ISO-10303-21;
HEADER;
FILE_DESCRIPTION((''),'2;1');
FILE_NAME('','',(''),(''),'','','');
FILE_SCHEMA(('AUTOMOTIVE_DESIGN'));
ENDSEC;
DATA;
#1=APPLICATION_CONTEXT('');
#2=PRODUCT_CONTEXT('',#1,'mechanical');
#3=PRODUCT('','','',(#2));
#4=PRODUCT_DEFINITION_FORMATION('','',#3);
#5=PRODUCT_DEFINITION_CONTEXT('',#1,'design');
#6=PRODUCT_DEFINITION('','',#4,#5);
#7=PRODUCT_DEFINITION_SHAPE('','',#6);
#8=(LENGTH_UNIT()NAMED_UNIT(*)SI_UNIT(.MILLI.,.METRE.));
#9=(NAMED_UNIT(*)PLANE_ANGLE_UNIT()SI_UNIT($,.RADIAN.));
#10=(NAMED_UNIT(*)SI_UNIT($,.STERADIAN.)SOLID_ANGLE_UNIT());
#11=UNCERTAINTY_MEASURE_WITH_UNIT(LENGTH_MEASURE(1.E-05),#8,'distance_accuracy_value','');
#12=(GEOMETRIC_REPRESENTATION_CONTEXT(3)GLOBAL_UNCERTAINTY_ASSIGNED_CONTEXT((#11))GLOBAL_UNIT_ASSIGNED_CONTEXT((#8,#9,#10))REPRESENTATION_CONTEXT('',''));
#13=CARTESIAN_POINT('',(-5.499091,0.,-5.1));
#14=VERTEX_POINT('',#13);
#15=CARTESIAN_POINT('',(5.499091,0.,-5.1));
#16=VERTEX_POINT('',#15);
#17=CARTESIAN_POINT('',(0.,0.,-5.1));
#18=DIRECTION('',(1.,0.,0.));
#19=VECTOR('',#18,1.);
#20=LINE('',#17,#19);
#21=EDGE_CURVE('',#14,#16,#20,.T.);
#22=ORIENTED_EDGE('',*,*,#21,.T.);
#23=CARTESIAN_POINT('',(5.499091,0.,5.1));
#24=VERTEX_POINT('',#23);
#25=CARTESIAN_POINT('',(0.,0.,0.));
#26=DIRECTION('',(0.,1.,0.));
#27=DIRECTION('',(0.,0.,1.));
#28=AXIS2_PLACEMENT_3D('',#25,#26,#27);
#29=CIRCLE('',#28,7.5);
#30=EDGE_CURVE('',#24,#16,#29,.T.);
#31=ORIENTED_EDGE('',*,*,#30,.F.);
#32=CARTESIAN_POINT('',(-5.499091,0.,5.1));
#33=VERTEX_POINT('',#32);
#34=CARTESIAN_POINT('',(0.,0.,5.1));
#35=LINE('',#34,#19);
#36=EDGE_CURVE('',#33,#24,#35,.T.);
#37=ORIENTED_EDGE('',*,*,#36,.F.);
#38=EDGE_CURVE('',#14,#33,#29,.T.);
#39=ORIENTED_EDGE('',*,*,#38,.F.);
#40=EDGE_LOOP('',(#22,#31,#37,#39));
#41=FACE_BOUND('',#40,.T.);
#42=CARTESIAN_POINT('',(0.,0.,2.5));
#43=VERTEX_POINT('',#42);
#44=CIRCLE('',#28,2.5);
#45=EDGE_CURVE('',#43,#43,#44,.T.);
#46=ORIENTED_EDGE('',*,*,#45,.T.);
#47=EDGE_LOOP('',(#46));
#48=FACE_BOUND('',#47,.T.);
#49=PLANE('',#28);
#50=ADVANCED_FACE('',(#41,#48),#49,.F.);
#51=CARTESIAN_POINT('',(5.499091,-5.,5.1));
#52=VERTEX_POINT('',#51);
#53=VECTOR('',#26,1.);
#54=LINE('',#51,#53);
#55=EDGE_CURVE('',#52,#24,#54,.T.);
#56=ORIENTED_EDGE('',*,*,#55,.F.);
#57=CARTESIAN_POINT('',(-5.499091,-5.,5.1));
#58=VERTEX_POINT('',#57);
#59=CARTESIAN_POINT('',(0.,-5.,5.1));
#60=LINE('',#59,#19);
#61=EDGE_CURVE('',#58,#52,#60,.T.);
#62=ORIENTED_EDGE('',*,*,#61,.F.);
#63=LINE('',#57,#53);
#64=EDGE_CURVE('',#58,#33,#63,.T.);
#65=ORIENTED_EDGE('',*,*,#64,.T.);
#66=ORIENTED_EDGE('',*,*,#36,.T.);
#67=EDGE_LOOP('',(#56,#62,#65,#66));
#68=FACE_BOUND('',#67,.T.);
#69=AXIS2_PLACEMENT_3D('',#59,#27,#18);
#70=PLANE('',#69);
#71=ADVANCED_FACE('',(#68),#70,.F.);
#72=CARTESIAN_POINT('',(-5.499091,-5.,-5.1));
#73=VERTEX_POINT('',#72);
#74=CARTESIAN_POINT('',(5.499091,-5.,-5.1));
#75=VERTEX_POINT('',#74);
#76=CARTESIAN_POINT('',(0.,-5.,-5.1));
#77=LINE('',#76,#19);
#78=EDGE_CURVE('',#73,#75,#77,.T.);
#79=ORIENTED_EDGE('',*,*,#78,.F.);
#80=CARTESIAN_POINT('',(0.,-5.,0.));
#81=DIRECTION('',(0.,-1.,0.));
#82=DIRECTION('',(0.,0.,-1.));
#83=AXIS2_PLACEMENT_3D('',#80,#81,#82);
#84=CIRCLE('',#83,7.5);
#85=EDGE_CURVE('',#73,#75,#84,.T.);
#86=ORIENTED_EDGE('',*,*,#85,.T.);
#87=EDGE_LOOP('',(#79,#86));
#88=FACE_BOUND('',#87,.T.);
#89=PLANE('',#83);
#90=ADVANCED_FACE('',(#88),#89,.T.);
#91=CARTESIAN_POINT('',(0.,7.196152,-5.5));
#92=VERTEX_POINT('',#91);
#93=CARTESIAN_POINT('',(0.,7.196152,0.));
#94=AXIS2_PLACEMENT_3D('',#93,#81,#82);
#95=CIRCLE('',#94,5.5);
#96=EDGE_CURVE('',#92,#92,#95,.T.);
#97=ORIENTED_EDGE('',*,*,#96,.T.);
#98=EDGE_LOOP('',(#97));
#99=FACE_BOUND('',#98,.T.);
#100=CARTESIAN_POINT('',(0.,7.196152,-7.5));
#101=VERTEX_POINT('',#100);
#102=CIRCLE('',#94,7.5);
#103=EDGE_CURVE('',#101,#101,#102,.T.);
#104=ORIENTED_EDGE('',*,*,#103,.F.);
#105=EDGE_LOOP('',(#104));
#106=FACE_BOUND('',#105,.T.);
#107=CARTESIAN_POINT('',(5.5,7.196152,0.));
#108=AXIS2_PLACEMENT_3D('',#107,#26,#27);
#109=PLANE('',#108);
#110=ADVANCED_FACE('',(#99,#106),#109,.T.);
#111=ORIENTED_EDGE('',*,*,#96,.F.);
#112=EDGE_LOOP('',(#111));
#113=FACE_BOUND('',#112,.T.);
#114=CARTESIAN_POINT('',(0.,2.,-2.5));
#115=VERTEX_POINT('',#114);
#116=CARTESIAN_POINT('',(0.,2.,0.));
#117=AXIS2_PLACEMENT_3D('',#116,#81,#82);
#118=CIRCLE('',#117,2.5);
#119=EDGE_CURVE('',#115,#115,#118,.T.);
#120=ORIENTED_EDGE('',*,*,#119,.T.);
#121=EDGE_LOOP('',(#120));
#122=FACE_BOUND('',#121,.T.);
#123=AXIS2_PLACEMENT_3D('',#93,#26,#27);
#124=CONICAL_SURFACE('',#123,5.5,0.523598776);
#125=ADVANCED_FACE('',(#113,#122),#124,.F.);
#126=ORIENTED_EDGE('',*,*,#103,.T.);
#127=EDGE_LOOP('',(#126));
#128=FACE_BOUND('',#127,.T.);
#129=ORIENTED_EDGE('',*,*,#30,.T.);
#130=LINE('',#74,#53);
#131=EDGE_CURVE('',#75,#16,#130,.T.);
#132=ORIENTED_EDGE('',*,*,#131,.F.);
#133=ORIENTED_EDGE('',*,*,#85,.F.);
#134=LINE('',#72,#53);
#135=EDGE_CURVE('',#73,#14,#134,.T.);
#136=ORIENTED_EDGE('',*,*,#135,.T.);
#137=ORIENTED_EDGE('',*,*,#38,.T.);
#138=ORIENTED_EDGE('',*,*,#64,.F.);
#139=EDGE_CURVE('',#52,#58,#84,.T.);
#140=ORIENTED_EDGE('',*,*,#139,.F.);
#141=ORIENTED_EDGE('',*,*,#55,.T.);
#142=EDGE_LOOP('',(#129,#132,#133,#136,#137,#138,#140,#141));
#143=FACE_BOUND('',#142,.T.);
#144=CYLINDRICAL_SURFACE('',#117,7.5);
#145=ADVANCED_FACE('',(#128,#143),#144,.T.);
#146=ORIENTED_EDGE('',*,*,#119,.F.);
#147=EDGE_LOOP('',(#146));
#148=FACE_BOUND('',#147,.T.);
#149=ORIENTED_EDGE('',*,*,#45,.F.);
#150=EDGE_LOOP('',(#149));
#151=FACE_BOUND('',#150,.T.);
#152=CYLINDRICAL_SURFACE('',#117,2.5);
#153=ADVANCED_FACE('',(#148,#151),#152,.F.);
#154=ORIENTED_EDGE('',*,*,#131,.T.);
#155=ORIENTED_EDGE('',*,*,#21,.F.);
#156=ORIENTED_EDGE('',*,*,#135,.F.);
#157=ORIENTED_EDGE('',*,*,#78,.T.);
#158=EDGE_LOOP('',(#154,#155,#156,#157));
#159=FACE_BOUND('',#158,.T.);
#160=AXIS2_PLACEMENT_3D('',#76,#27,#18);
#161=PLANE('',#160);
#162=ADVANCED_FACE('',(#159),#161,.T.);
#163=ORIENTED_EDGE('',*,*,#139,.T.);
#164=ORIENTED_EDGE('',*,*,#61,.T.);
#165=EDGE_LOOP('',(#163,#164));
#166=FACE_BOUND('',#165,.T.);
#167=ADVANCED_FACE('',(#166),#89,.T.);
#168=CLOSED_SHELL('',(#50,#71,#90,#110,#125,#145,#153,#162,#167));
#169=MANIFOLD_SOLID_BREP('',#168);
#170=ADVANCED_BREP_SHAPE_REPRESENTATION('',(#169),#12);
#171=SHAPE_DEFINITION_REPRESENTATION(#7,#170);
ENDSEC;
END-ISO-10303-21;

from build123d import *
from build123d.topology import SkipClean

# Parameters (mm, degrees)
SKETCH7_R           = 7.5
SKETCH7_R_2         = 2.5
BOSS_EXTRUDE3_DEPTH = 2
BOSS_EXTRUDE4_START = 5
BOSS_EXTRUDE4_DEPTH = 5


with BuildPart() as part:
    # Sketch7 → Boss-Extrude3 (new body)
    with BuildSketch(Plane(origin=(0, 0, 0), x_dir=(1, 0, 0), z_dir=(0, 1, 0))):
        with Locations(Location((0, 0, 0), (0, 0, 270))):
            Circle(SKETCH7_R)
        with Locations(Location((0, 0, 0), (0, 0, 270))):
            Circle(SKETCH7_R_2, mode=Mode.SUBTRACT)
    extrude(amount=BOSS_EXTRUDE3_DEPTH)

    # Sketch8 → Boss-Extrude4 (add)
    with SkipClean():  # the faces are left unmerged after this step: merging them gives an invalid solid
        with BuildSketch(Plane.XZ.offset(BOSS_EXTRUDE4_START)):
            with BuildLine():
                ThreePointArc((5.499090834, 5.1), (0, 7.5), (-5.499090834, 5.1))
                Line((-5.499090834, 5.1), (5.499090834, 5.1))
            make_face()
            with BuildLine():
                Line((5.499090834, -5.1), (-5.499090834, -5.1))
                ThreePointArc((-5.499090834, -5.1), (0, -7.5), (5.499090834, -5.1))
            make_face()
        extrude(amount=-BOSS_EXTRUDE4_DEPTH)

    # Sketch9 → Revolve1 (revolve)
    with SkipClean():  # the faces are left unmerged after this step: merging them gives an invalid solid
        with BuildSketch(Plane.XY, mode=Mode.PRIVATE) as revolve1_sk:
            Polygon((2.5, 2), (5.5, 7.196152423), (7.5, 7.196152423), (7.5, 2), align=None)
        revolve(revolve1_sk.sketch.rotate(Axis((0, 0, 0), (0, 1, 0)), 90), axis=Axis((0, 0, 0), (0, 1, 0)))


solid = part.part
